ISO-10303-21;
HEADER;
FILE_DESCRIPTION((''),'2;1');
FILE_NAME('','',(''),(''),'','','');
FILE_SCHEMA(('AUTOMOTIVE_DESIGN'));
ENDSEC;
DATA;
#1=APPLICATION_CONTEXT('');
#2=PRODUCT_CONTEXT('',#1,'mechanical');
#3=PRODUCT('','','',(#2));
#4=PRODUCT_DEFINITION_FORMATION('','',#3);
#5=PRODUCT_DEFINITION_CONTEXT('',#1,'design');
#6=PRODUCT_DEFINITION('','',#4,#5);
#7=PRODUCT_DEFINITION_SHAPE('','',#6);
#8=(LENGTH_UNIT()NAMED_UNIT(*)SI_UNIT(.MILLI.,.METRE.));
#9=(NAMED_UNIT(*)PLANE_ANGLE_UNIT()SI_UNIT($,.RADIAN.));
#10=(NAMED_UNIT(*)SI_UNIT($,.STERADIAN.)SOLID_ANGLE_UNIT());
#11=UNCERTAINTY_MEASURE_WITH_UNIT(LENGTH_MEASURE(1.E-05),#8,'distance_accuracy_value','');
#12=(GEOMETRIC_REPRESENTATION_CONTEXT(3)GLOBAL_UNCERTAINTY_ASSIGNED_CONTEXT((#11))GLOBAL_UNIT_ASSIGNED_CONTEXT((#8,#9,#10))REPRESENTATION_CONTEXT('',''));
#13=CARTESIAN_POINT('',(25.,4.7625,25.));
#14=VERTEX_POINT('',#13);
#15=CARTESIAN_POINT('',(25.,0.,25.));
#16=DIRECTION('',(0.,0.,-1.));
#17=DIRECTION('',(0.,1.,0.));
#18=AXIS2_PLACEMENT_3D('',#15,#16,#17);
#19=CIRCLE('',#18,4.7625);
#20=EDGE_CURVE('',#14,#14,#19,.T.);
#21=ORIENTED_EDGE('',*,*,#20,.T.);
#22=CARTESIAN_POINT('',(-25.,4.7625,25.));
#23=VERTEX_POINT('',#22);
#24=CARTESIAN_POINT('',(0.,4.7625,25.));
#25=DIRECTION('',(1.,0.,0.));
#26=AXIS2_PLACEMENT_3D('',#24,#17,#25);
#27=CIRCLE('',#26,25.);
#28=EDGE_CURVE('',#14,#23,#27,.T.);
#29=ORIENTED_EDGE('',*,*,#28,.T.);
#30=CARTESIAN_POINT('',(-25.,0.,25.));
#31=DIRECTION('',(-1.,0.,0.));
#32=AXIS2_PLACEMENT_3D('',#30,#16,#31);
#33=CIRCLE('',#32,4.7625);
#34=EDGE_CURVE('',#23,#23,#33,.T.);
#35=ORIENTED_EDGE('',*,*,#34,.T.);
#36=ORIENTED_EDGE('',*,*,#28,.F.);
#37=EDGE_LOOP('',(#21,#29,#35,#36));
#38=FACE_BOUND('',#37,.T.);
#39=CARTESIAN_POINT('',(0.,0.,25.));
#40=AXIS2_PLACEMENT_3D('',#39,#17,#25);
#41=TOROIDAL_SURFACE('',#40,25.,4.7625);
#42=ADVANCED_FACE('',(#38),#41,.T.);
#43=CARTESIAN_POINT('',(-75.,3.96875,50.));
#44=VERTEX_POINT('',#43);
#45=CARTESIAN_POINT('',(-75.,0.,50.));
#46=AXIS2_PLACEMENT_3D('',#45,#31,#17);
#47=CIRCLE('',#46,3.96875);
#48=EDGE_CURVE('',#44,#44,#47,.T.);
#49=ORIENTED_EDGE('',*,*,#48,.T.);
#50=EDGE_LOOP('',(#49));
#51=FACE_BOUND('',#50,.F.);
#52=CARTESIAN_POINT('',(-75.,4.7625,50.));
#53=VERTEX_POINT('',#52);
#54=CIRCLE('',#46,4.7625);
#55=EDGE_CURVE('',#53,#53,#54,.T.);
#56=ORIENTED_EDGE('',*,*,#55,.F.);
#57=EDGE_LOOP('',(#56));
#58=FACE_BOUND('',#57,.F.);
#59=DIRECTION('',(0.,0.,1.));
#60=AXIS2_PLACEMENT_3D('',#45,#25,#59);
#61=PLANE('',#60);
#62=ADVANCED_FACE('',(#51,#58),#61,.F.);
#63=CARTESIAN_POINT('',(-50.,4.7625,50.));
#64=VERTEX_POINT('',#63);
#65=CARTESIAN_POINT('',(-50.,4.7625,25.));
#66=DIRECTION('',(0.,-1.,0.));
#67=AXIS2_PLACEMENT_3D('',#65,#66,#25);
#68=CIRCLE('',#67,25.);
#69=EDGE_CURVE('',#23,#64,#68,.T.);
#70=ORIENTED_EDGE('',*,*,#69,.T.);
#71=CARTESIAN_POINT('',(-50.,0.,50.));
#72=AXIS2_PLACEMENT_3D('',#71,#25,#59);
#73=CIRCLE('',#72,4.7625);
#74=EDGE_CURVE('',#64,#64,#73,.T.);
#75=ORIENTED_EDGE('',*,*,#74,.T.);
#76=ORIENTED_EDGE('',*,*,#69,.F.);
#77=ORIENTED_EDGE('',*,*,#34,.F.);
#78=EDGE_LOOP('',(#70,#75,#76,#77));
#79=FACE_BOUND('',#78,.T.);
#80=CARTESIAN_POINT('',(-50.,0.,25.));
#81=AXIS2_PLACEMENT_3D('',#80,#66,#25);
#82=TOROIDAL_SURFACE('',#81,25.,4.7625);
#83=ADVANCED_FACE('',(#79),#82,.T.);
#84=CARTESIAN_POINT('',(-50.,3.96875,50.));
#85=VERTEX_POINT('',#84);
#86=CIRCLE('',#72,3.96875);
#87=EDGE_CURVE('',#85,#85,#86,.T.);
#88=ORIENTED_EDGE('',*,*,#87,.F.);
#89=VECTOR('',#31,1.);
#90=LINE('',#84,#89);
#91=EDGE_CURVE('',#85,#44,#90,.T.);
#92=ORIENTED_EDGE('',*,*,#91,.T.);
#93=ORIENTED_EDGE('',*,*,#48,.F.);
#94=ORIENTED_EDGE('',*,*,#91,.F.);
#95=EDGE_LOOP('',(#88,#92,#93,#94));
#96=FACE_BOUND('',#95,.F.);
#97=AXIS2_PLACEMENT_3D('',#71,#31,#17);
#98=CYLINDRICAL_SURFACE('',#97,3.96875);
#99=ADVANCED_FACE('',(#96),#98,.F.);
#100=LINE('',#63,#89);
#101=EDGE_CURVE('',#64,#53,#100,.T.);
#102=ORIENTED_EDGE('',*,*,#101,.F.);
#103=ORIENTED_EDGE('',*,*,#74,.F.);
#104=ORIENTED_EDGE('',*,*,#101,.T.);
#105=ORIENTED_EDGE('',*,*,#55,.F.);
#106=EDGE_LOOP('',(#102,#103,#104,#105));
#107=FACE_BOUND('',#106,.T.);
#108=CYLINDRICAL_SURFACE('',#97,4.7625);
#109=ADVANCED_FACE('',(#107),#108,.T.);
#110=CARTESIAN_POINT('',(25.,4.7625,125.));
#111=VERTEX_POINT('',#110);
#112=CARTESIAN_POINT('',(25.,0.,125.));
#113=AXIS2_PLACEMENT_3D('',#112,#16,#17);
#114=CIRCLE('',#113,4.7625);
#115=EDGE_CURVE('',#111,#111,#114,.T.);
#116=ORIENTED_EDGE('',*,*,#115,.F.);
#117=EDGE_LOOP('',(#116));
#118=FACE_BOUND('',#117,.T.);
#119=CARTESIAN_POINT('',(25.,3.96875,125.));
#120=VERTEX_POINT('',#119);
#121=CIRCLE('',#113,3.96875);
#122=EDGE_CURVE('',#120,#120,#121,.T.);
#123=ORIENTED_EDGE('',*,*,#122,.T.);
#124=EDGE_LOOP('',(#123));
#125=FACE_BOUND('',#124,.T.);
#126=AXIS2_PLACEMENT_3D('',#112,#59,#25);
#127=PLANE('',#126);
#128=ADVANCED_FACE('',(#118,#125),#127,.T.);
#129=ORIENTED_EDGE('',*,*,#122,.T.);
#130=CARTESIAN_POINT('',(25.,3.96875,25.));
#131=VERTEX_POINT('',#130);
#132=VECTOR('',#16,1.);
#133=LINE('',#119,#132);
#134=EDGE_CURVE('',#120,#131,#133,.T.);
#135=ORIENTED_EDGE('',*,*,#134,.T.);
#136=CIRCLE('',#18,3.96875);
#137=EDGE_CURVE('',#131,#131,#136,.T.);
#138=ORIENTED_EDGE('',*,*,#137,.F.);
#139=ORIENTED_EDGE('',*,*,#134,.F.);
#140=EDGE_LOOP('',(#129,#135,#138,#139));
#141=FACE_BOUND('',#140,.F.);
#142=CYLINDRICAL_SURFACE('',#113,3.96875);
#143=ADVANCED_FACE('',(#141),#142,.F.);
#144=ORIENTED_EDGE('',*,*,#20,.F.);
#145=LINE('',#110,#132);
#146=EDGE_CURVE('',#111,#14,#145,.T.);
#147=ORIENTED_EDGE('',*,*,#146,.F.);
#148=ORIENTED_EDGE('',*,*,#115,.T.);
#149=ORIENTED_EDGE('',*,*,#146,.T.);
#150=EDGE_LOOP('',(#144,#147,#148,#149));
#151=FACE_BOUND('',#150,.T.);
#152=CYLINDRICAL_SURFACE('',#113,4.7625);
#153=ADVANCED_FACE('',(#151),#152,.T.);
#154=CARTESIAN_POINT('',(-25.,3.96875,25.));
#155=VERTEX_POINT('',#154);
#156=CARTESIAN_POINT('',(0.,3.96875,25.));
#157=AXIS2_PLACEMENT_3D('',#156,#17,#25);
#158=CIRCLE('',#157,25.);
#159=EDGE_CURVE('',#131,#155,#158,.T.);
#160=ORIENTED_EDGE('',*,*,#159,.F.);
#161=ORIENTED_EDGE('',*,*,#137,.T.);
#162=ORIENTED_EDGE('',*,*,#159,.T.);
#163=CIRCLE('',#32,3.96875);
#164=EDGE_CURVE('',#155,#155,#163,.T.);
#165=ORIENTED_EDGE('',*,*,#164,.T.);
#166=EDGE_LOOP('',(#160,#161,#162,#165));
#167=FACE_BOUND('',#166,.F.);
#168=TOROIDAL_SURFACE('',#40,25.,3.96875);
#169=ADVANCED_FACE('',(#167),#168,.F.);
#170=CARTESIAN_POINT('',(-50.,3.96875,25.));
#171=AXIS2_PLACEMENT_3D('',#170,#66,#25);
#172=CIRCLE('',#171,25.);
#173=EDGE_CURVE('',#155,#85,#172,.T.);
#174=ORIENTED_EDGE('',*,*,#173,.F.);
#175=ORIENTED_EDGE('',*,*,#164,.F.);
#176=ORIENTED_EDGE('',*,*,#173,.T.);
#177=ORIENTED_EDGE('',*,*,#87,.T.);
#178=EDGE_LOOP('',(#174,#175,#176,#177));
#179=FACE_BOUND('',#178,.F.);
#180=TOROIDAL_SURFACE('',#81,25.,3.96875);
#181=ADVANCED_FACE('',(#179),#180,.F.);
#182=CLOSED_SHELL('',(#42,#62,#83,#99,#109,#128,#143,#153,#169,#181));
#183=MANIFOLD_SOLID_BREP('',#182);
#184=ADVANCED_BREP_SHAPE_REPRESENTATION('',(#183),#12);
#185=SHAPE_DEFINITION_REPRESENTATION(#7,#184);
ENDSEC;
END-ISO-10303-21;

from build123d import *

# Parameters (mm, degrees)
F0_R = 4.7625
F1_R = 3.96875


with BuildPart() as f3:
    # F3: sweep along a path in F2
    with BuildLine(Plane.XZ) as f3_path:
        Line((25, 125), (25, 25))
        ThreePointArc((25, 25), (0, 0), (-25, 25))
        ThreePointArc((-25, 25), (-32.3223304703, 42.6776695297), (-50, 50))
        Line((-50, 50), (-75, 50))
    # F0 (on Right) → F3 (sweep)
    with BuildSketch(Plane.YZ):
        Circle(F0_R)
    sweep(path=f3_path.line)

    # F4: sweep along a path in F2
    with BuildLine(Plane.XZ) as f4_path:
        Line((25, 125), (25, 25))
        ThreePointArc((25, 25), (0, 0), (-25, 25))
        ThreePointArc((-25, 25), (-32.3223304703, 42.6776695297), (-50, 50))
        Line((-50, 50), (-75, 50))
    # F1 (on Right) → F4 (sweep, cut)
    with BuildSketch(Plane.YZ):
        Circle(F1_R)
    sweep(path=f4_path.line, mode=Mode.SUBTRACT)


solid = f3.part
